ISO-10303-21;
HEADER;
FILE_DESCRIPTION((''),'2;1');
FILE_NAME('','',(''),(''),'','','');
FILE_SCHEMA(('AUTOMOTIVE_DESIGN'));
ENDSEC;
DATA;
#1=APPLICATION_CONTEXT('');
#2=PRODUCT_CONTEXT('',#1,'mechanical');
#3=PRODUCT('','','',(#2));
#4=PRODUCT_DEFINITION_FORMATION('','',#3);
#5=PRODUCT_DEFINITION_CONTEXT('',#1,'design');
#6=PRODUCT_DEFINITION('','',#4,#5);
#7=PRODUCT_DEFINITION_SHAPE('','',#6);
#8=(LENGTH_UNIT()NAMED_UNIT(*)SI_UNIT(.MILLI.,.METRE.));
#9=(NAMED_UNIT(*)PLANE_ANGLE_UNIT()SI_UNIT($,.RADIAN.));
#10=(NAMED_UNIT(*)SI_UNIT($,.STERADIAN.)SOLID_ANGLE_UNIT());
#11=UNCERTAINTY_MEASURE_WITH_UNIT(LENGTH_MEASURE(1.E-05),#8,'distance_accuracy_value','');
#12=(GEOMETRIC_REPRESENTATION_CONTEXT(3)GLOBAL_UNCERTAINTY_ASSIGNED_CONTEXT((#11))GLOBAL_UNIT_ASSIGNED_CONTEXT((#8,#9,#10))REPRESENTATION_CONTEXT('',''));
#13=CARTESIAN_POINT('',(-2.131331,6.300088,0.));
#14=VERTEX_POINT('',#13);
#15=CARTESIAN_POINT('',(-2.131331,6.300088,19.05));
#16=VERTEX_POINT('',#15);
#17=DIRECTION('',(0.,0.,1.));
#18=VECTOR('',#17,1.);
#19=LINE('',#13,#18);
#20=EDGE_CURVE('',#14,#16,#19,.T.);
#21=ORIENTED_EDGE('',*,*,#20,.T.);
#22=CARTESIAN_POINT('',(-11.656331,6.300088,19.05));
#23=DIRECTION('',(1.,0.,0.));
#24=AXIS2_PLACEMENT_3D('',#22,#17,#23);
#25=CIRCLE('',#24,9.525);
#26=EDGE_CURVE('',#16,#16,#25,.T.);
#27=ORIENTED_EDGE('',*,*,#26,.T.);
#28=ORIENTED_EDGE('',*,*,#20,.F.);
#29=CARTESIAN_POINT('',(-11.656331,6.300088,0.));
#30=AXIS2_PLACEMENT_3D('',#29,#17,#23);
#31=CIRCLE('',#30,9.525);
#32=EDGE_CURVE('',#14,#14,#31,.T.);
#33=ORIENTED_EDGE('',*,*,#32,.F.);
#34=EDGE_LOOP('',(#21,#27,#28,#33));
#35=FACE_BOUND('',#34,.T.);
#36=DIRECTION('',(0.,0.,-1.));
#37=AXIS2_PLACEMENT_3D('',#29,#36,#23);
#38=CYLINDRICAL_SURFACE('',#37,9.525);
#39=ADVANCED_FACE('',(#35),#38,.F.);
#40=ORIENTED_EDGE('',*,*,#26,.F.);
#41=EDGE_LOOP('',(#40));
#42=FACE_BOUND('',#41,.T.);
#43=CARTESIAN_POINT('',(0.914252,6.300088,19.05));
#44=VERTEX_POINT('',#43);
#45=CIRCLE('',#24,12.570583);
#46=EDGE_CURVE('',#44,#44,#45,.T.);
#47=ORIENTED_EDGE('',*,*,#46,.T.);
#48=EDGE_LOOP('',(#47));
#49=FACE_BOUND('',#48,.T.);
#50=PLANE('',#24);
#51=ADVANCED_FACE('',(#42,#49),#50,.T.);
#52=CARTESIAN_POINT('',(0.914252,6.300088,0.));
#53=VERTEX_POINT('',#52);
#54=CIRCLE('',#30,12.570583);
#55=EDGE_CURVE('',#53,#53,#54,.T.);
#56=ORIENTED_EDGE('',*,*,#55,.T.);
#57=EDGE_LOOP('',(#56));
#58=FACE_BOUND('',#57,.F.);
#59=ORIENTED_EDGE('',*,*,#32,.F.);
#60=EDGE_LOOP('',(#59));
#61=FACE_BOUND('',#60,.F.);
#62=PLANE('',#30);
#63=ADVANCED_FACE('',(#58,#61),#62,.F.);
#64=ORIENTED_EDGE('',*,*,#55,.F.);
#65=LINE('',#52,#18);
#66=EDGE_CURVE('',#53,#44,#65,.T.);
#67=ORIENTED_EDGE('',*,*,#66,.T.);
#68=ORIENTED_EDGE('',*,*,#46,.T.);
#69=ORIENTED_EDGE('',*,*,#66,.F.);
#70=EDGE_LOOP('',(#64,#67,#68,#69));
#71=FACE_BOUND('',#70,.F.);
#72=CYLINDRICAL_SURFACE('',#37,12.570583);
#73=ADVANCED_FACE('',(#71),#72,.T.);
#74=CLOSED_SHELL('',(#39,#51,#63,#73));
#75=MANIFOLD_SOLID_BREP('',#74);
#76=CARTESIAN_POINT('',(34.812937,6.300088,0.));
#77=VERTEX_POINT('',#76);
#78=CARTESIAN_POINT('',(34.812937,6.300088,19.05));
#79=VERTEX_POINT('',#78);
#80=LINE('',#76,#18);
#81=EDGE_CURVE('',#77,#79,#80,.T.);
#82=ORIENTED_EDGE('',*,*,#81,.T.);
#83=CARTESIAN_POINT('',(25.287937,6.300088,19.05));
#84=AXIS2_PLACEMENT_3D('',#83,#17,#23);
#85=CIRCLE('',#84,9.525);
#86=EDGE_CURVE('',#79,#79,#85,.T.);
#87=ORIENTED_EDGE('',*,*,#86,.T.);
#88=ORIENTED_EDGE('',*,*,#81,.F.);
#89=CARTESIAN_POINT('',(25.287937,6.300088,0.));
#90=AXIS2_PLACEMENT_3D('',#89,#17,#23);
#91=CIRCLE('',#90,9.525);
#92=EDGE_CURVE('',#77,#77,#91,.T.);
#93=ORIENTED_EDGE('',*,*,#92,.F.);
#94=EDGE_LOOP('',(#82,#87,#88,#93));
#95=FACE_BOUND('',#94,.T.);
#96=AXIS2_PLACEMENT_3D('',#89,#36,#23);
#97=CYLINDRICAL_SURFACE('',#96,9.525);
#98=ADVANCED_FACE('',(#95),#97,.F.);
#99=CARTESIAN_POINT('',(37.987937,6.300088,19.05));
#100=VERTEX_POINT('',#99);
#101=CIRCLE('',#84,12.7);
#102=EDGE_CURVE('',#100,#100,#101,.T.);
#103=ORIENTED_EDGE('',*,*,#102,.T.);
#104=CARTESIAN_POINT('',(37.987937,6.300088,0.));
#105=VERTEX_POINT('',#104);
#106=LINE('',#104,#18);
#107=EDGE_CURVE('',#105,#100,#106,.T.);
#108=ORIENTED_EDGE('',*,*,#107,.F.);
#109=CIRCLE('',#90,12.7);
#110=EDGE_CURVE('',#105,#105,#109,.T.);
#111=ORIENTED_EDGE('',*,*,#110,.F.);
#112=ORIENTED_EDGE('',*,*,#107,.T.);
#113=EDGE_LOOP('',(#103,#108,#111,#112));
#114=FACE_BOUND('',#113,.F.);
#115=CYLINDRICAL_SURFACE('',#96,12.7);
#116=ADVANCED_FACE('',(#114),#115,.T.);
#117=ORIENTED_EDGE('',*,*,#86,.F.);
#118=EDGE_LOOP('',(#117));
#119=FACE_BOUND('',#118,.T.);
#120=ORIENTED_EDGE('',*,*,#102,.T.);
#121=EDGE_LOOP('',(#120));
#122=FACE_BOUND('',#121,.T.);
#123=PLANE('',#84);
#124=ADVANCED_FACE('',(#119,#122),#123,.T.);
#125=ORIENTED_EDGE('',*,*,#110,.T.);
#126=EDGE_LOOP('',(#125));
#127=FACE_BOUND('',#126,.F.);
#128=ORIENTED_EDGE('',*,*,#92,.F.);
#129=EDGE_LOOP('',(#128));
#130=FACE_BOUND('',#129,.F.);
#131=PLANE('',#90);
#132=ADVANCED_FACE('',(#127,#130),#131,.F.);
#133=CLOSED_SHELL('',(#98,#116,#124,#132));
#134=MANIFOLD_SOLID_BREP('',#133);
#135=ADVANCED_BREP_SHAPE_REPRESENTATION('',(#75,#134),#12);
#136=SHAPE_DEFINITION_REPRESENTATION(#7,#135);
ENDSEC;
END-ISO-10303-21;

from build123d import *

# Parameters (mm, degrees)
F0_R     = 12.7
F0_R_2   = 9.525
F0_R_3   = 12.570583
F1_DEPTH = 19.05


with BuildPart() as f1:
    # F0 (on Top) → F1 (new body)
    with BuildSketch(Plane.XY):
        with Locations((25.287937, 6.300088)):
            Circle(F0_R)
        with Locations((25.287937, 6.300088)):
            Circle(F0_R_2, mode=Mode.SUBTRACT)
        with Locations((-11.656331, 6.300088)):
            Circle(F0_R_3)
        with Locations((-11.656331, 6.300088)):
            Circle(F0_R_2, mode=Mode.SUBTRACT)
    extrude(amount=F1_DEPTH)


solid = f1.part
